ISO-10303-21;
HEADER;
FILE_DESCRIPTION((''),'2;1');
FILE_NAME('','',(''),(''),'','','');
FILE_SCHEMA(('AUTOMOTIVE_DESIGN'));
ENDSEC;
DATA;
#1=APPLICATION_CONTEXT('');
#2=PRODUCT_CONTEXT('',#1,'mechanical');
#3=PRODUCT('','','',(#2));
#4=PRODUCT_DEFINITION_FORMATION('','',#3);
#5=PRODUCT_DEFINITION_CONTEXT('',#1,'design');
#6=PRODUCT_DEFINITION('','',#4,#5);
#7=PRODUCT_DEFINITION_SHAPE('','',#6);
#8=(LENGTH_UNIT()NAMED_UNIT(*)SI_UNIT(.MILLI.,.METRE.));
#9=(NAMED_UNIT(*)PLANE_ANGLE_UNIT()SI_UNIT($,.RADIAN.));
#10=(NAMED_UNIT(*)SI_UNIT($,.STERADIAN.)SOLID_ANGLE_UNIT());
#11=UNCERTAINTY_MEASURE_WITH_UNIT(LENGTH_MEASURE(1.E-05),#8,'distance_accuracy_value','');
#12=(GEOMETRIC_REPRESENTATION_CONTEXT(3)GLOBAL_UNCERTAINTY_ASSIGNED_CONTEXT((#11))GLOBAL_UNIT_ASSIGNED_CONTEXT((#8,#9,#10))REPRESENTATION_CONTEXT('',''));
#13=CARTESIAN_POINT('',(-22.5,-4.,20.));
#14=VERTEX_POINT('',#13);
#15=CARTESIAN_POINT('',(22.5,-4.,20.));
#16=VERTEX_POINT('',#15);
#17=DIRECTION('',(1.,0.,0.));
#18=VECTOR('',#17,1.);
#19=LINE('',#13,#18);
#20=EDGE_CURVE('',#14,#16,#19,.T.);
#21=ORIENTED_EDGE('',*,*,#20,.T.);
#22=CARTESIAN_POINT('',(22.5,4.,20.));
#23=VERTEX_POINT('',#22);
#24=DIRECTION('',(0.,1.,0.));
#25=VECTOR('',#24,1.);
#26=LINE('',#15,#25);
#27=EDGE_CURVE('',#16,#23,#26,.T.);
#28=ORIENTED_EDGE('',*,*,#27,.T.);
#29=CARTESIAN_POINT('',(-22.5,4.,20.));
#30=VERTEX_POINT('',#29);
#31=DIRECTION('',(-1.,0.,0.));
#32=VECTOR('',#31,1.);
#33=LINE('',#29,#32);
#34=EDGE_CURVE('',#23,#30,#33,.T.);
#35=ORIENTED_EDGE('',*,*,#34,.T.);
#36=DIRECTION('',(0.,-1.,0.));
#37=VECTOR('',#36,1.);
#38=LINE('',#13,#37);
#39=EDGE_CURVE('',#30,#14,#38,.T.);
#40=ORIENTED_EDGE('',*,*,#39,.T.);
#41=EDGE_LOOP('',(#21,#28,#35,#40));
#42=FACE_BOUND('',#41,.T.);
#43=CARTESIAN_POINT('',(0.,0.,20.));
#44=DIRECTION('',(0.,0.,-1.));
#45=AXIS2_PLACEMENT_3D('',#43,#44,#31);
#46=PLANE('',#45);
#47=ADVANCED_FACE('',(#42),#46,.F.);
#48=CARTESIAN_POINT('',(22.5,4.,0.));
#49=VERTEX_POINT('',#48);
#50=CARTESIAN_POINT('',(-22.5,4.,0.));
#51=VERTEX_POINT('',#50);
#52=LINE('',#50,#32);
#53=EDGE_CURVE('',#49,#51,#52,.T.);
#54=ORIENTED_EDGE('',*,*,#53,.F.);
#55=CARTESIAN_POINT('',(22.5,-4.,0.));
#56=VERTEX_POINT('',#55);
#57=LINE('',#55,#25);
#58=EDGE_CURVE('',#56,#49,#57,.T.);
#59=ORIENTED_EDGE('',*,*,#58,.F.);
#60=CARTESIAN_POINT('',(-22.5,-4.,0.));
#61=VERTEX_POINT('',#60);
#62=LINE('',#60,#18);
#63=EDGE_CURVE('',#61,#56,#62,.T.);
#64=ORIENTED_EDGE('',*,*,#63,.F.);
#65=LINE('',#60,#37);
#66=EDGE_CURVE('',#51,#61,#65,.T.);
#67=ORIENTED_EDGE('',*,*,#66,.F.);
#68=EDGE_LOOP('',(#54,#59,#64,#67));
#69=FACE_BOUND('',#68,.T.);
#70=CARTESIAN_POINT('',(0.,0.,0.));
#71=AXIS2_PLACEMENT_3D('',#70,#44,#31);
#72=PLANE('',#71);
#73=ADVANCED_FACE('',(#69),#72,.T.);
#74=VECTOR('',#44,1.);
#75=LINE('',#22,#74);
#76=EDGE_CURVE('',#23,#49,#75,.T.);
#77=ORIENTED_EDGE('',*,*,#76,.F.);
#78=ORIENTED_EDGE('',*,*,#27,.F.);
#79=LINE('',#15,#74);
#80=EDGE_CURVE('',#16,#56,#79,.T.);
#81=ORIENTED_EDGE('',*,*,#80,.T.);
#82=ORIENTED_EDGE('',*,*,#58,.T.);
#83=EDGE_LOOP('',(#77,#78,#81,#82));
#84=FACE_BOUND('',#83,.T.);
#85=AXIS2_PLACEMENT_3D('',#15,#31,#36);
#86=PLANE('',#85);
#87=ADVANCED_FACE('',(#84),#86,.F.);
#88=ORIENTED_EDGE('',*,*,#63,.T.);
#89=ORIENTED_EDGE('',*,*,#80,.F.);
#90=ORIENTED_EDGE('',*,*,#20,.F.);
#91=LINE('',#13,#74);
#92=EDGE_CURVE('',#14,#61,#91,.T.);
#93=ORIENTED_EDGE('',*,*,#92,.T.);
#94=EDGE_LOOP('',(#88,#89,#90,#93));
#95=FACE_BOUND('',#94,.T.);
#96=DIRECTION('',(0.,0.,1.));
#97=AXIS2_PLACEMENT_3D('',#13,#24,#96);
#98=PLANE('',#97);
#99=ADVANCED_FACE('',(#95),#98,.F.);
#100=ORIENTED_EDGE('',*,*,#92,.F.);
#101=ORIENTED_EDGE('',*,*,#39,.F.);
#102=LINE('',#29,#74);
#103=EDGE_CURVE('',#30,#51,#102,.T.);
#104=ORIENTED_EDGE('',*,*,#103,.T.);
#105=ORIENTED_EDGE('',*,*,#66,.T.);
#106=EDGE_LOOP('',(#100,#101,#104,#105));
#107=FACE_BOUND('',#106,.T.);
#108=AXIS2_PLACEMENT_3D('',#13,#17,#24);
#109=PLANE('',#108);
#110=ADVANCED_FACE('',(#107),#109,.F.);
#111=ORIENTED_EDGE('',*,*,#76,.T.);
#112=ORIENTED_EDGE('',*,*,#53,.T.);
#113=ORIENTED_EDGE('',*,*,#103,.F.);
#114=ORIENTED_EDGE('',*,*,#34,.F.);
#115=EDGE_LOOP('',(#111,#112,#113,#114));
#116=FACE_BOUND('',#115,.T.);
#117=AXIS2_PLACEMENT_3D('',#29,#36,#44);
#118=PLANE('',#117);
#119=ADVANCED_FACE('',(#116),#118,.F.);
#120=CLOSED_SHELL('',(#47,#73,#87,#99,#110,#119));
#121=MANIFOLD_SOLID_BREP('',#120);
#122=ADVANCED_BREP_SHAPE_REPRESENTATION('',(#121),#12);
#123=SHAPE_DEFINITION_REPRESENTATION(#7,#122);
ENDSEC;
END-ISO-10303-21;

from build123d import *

# Parameters (mm, degrees)
SKETCH_1_W      = 45
SKETCH_1_H      = 8
EXTRUDE_1_DEPTH = 20


with BuildPart() as part:
    # 草图1 → 凸台-拉伸1 (new body)
    with BuildSketch(Plane.XY):
        Rectangle(SKETCH_1_W, SKETCH_1_H)
    extrude(amount=EXTRUDE_1_DEPTH)


solid = part.part
